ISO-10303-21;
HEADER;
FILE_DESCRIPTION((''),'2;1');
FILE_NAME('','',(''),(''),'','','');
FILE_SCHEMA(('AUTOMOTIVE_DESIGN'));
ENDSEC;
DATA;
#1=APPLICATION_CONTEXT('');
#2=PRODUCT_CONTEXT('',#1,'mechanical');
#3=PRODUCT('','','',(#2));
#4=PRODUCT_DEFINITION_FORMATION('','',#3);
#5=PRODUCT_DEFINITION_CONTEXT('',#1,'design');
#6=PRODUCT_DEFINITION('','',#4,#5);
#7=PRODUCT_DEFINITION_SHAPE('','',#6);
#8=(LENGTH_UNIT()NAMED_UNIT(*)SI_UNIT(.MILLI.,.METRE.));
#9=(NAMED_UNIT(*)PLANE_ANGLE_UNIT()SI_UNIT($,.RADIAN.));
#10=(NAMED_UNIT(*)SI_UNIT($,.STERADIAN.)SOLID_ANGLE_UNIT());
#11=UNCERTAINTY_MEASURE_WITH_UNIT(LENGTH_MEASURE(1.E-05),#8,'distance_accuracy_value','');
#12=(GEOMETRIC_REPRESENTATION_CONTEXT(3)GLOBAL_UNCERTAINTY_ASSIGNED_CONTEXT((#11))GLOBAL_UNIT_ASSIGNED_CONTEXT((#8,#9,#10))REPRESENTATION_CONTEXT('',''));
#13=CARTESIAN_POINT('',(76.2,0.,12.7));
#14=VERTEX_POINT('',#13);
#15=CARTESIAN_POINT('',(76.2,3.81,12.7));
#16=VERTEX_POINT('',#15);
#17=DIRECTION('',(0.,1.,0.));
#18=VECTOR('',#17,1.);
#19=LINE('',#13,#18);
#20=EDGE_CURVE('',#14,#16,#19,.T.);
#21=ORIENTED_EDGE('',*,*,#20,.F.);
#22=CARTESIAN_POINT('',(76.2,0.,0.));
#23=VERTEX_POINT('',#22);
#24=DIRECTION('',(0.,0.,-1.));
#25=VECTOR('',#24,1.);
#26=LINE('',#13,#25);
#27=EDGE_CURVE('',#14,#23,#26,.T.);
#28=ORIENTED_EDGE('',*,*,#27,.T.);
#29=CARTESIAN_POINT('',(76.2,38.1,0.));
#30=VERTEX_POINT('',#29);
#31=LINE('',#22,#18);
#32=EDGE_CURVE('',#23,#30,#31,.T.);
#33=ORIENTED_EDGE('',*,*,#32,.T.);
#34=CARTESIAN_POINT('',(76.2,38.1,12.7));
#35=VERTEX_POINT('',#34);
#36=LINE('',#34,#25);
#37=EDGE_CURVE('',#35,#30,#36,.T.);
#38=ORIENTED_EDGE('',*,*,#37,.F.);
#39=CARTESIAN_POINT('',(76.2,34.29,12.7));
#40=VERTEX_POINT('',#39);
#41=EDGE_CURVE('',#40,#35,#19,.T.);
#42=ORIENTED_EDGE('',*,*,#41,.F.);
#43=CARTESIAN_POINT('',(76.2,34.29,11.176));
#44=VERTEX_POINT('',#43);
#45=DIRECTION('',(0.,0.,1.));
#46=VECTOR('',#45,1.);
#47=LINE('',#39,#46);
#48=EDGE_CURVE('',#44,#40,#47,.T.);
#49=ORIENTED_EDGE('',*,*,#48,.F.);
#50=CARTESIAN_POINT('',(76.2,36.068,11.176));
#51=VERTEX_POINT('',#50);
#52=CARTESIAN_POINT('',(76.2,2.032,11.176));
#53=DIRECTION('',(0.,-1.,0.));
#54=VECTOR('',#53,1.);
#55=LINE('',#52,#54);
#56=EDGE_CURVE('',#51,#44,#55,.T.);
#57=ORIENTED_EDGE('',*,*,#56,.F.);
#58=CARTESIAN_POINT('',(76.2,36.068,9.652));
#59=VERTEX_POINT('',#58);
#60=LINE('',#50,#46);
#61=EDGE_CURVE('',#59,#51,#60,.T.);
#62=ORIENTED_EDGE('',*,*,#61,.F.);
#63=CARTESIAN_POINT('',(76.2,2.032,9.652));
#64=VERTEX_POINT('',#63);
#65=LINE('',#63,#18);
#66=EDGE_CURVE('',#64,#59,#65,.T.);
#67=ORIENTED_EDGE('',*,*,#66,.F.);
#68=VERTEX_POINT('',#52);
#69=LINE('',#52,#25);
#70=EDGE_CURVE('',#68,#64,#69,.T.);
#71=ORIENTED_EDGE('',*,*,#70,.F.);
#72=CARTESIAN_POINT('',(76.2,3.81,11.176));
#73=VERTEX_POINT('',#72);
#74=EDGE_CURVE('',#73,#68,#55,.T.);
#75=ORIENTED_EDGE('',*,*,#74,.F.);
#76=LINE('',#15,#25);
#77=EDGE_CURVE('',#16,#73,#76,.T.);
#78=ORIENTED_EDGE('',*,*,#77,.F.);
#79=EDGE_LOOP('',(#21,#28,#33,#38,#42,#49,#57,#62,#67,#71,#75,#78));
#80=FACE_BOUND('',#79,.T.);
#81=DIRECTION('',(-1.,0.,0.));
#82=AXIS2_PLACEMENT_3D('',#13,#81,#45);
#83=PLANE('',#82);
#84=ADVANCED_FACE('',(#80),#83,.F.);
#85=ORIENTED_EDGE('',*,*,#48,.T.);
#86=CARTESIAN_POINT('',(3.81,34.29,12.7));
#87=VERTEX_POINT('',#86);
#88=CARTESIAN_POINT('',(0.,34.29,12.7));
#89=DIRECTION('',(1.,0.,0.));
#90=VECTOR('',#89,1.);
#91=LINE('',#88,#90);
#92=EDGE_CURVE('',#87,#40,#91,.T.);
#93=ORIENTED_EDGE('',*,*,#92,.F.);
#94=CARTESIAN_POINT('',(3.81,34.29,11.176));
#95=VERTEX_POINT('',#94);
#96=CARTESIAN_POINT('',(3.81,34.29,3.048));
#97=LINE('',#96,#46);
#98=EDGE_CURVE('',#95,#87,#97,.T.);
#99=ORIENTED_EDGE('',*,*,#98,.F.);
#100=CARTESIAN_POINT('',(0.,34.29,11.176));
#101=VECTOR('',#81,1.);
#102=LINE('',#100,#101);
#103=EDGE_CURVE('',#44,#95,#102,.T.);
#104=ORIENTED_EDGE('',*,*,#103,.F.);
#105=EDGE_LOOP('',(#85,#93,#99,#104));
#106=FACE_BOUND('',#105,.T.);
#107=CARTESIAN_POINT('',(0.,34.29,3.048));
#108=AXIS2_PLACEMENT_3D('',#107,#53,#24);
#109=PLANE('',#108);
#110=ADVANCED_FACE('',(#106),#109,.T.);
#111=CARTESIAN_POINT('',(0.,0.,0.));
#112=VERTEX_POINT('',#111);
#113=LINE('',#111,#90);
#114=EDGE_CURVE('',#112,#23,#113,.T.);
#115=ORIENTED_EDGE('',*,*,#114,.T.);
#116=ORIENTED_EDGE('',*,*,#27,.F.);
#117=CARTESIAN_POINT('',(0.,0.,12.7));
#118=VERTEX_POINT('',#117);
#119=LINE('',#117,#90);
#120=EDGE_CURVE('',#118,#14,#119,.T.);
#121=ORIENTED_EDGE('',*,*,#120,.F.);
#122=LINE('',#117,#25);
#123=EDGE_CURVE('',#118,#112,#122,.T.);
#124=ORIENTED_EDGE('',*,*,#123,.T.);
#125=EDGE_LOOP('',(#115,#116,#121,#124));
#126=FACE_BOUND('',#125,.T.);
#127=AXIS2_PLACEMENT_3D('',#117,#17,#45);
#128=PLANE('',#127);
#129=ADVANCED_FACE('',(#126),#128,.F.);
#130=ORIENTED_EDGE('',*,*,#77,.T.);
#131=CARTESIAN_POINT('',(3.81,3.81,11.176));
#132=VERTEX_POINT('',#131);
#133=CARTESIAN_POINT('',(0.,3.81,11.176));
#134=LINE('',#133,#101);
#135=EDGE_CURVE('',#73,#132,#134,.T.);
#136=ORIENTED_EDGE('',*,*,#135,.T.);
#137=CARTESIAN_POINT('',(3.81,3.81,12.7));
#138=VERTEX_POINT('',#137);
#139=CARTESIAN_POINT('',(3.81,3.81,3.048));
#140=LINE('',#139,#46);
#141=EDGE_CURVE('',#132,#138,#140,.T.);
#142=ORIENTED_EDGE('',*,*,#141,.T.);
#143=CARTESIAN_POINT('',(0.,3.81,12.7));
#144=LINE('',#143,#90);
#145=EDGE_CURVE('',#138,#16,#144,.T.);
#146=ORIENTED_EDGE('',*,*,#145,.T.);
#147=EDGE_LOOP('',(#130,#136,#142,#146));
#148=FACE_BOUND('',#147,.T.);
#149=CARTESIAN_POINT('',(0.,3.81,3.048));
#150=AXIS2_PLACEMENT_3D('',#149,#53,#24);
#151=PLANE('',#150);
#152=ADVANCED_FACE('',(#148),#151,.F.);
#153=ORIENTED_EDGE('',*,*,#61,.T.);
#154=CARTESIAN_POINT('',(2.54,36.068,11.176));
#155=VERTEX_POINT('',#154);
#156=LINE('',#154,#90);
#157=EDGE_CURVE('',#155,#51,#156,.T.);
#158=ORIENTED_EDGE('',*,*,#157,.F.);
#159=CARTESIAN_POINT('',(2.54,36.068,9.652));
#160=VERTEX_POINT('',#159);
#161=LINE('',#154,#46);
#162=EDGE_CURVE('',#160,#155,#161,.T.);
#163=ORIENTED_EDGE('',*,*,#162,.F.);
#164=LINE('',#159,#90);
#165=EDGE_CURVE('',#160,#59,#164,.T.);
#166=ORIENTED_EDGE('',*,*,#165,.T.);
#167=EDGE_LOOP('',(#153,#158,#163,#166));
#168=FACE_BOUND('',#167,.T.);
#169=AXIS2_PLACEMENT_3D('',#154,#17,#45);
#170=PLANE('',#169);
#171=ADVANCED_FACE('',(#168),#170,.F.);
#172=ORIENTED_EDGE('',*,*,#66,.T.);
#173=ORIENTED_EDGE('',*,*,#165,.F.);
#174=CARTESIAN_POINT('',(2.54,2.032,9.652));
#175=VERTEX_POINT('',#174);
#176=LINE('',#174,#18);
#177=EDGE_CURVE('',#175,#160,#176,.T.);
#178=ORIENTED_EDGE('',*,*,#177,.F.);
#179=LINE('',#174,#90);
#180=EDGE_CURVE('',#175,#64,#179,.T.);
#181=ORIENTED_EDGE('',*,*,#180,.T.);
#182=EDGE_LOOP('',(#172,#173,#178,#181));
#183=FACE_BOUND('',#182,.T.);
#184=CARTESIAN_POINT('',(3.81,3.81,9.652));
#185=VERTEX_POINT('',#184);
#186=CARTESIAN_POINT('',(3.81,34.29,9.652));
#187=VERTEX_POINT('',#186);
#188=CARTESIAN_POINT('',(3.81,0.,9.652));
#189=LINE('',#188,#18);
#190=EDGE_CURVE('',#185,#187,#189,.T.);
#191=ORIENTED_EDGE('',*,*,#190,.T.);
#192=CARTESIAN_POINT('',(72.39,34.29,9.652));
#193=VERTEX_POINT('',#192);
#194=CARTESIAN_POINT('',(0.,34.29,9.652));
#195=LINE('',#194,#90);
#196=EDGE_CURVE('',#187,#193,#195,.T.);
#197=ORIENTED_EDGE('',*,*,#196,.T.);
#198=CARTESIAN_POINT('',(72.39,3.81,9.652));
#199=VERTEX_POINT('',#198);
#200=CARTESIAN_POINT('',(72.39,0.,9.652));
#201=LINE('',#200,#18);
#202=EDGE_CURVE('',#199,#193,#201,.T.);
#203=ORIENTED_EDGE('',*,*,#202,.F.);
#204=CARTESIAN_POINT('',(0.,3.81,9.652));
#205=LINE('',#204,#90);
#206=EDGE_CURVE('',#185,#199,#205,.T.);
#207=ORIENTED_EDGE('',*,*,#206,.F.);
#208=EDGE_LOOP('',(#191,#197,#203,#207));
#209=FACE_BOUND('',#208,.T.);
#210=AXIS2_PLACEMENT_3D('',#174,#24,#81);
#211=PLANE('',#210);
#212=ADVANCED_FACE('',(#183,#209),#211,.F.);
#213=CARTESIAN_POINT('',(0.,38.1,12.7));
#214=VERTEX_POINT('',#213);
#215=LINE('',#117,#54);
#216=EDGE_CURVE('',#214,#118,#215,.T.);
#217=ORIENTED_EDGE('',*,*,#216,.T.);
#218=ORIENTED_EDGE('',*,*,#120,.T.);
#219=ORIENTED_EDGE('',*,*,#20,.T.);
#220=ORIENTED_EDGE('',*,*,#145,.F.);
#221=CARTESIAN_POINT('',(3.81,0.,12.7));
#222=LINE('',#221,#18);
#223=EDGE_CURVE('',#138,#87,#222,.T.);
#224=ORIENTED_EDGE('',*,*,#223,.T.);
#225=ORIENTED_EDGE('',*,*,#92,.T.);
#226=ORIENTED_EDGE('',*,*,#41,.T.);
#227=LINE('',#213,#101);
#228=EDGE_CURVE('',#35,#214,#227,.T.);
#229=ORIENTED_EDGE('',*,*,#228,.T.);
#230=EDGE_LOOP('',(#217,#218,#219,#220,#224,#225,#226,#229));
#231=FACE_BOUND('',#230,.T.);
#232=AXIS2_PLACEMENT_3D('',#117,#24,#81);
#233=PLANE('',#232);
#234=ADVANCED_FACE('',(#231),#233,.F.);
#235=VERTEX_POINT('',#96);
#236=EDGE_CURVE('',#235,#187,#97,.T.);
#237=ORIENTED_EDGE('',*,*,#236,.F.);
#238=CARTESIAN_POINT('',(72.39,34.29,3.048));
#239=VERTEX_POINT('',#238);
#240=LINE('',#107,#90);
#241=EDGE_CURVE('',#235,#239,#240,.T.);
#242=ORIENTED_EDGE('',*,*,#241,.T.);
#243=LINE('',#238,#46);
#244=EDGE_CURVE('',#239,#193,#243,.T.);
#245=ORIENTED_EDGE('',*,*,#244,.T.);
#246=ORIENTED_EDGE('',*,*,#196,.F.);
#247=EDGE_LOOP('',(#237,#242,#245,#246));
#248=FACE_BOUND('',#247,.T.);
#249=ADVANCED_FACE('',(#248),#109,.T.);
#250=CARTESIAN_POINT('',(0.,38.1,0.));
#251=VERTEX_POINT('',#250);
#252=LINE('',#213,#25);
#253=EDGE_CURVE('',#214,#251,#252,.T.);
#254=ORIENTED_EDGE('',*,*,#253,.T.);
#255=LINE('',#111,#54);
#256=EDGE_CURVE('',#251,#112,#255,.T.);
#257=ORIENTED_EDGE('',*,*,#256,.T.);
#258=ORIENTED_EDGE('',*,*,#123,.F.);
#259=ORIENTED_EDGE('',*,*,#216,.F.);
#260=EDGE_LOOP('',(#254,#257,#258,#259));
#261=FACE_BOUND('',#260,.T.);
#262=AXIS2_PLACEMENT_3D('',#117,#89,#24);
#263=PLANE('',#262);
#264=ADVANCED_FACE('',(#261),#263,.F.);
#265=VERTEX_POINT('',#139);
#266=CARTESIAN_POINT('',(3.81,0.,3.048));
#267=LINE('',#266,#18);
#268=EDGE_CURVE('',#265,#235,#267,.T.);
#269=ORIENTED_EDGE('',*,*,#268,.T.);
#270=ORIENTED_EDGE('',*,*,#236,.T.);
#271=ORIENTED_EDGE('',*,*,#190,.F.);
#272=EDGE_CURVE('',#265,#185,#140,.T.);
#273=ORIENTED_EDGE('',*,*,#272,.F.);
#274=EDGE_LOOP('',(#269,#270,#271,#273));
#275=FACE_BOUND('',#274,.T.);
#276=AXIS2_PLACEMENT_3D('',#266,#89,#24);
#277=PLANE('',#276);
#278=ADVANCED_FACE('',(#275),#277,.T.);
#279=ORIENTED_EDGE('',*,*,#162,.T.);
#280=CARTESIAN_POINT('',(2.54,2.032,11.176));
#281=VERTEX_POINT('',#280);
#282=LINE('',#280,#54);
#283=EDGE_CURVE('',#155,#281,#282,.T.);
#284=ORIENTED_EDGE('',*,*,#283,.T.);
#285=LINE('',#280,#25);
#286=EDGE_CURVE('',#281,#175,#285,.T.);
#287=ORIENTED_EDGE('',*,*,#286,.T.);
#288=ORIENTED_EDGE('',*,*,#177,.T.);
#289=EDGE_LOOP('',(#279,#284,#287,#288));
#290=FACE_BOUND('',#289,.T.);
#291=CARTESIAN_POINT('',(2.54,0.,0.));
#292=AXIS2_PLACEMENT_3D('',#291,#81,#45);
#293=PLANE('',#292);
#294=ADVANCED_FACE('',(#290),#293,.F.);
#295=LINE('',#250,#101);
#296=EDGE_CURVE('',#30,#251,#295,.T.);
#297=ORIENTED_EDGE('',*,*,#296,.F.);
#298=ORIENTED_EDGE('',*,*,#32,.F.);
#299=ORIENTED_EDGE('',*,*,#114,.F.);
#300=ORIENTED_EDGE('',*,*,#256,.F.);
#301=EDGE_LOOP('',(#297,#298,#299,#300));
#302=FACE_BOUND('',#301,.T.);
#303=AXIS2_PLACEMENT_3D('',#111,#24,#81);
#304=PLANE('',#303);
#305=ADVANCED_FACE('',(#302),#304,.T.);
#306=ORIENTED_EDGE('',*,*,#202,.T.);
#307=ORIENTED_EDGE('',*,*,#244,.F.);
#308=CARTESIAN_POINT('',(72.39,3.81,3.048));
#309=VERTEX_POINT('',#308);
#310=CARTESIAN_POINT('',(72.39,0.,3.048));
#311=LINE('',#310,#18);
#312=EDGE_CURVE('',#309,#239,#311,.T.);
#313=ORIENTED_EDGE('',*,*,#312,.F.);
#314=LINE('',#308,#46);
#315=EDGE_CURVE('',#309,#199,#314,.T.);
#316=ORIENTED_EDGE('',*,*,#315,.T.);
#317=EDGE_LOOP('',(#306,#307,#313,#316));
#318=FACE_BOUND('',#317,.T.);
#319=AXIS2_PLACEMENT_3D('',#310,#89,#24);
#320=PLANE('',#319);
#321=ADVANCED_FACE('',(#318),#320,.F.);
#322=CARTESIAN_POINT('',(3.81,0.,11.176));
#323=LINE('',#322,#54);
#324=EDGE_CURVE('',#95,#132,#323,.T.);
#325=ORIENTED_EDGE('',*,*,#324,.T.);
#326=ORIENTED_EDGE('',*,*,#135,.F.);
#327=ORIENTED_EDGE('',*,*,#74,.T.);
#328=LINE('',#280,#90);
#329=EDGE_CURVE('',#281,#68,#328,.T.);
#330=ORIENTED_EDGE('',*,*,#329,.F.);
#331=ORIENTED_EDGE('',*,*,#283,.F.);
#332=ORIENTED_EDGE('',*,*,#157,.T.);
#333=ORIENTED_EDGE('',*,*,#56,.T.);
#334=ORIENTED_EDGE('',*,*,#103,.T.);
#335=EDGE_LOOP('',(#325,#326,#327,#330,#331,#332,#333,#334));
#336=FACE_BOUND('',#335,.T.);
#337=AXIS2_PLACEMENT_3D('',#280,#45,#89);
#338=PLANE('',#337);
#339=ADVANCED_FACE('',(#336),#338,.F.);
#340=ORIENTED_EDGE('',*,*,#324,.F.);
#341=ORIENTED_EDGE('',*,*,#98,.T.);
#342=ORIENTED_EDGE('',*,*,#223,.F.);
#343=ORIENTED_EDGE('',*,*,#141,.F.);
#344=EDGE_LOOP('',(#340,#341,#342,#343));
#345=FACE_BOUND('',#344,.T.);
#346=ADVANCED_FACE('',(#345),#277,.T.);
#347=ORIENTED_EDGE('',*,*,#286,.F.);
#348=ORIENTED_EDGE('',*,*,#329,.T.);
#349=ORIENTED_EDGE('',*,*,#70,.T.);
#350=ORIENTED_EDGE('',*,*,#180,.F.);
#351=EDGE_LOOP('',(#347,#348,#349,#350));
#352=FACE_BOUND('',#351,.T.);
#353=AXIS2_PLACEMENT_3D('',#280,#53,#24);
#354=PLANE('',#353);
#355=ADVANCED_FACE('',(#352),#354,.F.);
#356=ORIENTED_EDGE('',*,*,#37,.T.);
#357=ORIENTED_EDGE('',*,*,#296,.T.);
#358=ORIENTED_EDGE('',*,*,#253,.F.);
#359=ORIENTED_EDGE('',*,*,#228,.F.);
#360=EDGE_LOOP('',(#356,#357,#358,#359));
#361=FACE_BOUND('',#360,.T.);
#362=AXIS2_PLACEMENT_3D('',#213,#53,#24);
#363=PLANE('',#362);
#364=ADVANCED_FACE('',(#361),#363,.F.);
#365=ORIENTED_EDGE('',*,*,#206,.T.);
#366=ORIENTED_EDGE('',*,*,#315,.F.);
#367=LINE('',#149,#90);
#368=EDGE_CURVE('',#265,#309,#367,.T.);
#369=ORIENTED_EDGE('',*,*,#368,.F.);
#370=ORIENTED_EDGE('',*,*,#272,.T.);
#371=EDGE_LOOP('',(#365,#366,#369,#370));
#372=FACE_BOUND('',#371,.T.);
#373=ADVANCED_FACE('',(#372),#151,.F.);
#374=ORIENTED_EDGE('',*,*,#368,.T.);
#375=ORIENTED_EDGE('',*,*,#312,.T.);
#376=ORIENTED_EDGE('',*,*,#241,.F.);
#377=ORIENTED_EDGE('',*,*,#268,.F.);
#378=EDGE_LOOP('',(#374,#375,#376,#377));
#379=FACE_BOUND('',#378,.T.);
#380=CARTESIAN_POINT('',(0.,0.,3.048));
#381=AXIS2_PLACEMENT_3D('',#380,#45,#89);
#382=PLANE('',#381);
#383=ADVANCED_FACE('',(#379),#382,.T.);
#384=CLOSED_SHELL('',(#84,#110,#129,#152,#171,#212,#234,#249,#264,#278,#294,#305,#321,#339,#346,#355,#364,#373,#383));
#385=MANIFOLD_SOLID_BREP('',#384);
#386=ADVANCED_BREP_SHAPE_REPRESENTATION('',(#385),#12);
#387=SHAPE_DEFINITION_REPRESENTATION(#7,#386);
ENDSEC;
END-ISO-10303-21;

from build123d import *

# Parameters (mm, degrees)
SKETCH1_W           = 76.2
SKETCH1_H           = 38.1
BOSS_EXTRUDE1_DEPTH = 12.7
SKETCH3_W           = 34.29
SKETCH3_H           = 30.48
CUT_EXTRUDE1_DEPTH  = 9.652
SKETCH5_W           = 2.54
SKETCH5_H           = 30.48
CUT_EXTRUDE3_DEPTH  = 3.81
SKETCH6_W           = 1.524
SKETCH6_H           = 34.036
CUT_EXTRUDE4_DEPTH  = 73.66


with BuildPart() as part:
    # Sketch1 → Boss-Extrude1 (new body)
    with BuildSketch(Plane.XY):
        with Locations((38.1, 19.05)):
            Rectangle(SKETCH1_W, SKETCH1_H)
    extrude(amount=BOSS_EXTRUDE1_DEPTH)

    # Sketch3 → Cut-Extrude1 (cut)
    with BuildSketch(Plane.XY.offset(12.7)):
        with Locations((20.955, 19.05)):
            Rectangle(SKETCH3_W, SKETCH3_H)
        with Locations((55.245, 19.05)):
            Rectangle(SKETCH3_W, SKETCH3_H)
    extrude(amount=-CUT_EXTRUDE1_DEPTH, mode=Mode.SUBTRACT)

    # Sketch5 → Cut-Extrude3 (cut)
    with BuildSketch(Plane(origin=(76.2, 0, 0), x_dir=(0, 0, -1), z_dir=(1, 0, 0))):
        with Locations((-11.43, 19.05)):
            Rectangle(SKETCH5_W, SKETCH5_H)
    extrude(amount=-CUT_EXTRUDE3_DEPTH, mode=Mode.SUBTRACT)

    # Sketch6 → Cut-Extrude4 (cut)
    with BuildSketch(Plane(origin=(76.2, 0, 0), x_dir=(0, 0, -1), z_dir=(1, 0, 0))):
        with Locations((-10.414, 19.05)):
            Rectangle(SKETCH6_W, SKETCH6_H)
    extrude(amount=-CUT_EXTRUDE4_DEPTH, mode=Mode.SUBTRACT)


solid = part.part
